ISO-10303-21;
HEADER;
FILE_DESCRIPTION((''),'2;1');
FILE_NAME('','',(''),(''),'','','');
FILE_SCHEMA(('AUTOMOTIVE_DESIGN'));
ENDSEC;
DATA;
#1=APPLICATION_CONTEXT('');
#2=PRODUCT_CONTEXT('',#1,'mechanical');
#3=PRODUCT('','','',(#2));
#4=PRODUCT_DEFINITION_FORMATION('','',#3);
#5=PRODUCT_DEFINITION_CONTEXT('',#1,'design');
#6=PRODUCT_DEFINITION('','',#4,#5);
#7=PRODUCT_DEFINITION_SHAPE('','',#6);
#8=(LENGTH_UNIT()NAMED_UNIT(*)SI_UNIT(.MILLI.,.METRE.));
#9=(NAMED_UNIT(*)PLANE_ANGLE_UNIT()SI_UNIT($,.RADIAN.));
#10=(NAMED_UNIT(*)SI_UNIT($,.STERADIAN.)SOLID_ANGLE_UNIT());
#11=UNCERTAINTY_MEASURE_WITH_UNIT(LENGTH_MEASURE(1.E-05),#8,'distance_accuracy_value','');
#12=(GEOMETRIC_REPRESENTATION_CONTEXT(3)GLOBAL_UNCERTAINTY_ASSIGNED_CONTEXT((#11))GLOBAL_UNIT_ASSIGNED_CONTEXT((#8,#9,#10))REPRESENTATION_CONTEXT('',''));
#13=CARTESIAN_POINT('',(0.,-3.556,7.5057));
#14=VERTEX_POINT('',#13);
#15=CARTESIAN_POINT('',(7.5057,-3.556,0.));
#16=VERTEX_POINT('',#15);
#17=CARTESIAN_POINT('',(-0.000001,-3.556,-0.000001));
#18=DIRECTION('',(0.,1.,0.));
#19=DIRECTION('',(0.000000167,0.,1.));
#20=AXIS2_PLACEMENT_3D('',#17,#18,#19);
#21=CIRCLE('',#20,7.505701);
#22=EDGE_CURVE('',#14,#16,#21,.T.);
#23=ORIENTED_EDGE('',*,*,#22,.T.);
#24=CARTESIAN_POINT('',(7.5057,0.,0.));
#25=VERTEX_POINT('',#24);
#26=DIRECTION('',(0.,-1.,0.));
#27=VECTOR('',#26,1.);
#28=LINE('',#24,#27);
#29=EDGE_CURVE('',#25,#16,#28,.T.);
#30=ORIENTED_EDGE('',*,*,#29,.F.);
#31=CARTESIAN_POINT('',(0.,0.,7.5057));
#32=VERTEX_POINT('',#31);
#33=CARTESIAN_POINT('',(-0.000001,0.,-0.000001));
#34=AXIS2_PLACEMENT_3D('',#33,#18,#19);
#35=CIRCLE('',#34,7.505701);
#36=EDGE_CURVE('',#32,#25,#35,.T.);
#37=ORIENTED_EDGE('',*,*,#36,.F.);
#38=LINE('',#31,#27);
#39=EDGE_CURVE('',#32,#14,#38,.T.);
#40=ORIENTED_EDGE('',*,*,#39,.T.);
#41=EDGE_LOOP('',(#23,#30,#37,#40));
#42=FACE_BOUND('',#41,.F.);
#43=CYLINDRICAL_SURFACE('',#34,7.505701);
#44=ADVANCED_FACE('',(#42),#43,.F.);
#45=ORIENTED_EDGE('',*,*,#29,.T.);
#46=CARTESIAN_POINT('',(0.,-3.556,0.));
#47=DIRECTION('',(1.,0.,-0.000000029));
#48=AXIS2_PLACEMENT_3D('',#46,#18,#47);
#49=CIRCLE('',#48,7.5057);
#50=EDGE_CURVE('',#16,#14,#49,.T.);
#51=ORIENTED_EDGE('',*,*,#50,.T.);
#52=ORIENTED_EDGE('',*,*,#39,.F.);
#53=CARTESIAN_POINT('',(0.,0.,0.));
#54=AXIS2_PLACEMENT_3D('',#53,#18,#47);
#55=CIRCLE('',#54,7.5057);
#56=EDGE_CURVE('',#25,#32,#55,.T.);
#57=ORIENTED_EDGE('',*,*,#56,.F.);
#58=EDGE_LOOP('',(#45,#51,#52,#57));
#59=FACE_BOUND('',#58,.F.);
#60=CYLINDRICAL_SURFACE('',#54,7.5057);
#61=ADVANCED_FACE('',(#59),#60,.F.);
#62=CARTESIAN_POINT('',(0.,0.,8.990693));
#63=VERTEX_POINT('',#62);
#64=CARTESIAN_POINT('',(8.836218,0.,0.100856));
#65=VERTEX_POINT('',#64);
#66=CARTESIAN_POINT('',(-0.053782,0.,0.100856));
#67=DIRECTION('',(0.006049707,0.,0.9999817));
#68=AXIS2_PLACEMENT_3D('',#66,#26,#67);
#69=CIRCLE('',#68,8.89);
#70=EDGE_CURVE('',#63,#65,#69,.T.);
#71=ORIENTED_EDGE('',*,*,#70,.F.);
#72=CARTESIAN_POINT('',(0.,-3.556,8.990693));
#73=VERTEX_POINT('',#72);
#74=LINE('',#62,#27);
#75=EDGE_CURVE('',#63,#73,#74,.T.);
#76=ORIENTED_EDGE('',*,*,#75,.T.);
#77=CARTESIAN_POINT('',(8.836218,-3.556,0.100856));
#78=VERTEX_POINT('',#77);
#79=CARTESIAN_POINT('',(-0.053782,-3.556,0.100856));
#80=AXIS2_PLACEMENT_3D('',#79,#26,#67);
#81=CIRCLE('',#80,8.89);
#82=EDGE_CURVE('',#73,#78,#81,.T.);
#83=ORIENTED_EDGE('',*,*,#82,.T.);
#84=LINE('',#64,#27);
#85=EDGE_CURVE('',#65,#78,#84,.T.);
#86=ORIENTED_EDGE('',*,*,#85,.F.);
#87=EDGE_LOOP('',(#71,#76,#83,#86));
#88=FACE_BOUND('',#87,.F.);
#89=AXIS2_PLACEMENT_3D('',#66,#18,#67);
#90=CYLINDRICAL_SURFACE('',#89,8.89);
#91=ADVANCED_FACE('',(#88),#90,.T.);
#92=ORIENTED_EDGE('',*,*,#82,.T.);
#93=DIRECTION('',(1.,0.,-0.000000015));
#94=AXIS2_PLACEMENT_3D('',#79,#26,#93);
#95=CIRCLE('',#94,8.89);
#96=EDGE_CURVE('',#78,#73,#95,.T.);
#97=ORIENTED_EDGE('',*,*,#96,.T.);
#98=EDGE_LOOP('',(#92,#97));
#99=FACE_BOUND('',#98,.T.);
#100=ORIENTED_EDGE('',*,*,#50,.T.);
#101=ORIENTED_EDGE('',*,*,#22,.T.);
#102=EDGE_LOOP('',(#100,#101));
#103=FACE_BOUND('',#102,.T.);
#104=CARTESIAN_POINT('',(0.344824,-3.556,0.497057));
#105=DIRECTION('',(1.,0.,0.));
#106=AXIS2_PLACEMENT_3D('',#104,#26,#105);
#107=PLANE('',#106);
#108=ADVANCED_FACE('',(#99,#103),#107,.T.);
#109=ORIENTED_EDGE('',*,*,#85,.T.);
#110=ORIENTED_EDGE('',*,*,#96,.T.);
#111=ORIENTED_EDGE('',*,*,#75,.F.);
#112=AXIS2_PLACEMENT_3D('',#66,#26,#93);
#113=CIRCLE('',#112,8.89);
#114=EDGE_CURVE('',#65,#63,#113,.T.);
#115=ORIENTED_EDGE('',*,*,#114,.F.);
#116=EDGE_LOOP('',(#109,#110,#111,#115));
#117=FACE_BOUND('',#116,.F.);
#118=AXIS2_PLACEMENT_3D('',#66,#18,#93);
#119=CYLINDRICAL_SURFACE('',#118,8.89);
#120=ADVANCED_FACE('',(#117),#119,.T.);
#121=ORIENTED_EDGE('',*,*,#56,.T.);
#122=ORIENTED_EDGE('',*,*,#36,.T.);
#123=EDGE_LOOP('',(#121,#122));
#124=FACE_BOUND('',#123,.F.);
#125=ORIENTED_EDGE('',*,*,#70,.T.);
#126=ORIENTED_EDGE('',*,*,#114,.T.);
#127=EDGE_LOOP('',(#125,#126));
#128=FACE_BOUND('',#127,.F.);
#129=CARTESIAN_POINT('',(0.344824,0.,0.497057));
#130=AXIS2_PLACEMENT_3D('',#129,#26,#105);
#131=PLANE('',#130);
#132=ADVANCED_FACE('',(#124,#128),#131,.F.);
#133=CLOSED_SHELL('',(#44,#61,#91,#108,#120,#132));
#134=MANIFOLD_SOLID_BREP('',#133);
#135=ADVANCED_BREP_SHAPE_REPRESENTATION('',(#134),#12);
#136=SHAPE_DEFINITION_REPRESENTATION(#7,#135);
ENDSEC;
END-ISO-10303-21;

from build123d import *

# Parameters (mm, degrees)
F1_DEPTH = 3.556


with BuildPart() as f1:
    # F0 (on Front) → F1 (new body)
    with BuildSketch(Plane.XZ):
        with BuildLine():
            ThreePointArc((0, 8.990693), (-6.358948, -6.166279), (8.836218, 0.100856))
            ThreePointArc((8.836218, 0.100856), (6.251383, 6.367992), (0, 8.990693))
        make_face()
        with BuildLine():
            ThreePointArc((7.5057, 0), (-5.307331, -5.307331), (0, 7.5057))
            ThreePointArc((0, 7.5057), (5.307331, 5.307331), (7.5057, 0))
        make_face(mode=Mode.SUBTRACT)
    extrude(amount=F1_DEPTH)


solid = f1.part
